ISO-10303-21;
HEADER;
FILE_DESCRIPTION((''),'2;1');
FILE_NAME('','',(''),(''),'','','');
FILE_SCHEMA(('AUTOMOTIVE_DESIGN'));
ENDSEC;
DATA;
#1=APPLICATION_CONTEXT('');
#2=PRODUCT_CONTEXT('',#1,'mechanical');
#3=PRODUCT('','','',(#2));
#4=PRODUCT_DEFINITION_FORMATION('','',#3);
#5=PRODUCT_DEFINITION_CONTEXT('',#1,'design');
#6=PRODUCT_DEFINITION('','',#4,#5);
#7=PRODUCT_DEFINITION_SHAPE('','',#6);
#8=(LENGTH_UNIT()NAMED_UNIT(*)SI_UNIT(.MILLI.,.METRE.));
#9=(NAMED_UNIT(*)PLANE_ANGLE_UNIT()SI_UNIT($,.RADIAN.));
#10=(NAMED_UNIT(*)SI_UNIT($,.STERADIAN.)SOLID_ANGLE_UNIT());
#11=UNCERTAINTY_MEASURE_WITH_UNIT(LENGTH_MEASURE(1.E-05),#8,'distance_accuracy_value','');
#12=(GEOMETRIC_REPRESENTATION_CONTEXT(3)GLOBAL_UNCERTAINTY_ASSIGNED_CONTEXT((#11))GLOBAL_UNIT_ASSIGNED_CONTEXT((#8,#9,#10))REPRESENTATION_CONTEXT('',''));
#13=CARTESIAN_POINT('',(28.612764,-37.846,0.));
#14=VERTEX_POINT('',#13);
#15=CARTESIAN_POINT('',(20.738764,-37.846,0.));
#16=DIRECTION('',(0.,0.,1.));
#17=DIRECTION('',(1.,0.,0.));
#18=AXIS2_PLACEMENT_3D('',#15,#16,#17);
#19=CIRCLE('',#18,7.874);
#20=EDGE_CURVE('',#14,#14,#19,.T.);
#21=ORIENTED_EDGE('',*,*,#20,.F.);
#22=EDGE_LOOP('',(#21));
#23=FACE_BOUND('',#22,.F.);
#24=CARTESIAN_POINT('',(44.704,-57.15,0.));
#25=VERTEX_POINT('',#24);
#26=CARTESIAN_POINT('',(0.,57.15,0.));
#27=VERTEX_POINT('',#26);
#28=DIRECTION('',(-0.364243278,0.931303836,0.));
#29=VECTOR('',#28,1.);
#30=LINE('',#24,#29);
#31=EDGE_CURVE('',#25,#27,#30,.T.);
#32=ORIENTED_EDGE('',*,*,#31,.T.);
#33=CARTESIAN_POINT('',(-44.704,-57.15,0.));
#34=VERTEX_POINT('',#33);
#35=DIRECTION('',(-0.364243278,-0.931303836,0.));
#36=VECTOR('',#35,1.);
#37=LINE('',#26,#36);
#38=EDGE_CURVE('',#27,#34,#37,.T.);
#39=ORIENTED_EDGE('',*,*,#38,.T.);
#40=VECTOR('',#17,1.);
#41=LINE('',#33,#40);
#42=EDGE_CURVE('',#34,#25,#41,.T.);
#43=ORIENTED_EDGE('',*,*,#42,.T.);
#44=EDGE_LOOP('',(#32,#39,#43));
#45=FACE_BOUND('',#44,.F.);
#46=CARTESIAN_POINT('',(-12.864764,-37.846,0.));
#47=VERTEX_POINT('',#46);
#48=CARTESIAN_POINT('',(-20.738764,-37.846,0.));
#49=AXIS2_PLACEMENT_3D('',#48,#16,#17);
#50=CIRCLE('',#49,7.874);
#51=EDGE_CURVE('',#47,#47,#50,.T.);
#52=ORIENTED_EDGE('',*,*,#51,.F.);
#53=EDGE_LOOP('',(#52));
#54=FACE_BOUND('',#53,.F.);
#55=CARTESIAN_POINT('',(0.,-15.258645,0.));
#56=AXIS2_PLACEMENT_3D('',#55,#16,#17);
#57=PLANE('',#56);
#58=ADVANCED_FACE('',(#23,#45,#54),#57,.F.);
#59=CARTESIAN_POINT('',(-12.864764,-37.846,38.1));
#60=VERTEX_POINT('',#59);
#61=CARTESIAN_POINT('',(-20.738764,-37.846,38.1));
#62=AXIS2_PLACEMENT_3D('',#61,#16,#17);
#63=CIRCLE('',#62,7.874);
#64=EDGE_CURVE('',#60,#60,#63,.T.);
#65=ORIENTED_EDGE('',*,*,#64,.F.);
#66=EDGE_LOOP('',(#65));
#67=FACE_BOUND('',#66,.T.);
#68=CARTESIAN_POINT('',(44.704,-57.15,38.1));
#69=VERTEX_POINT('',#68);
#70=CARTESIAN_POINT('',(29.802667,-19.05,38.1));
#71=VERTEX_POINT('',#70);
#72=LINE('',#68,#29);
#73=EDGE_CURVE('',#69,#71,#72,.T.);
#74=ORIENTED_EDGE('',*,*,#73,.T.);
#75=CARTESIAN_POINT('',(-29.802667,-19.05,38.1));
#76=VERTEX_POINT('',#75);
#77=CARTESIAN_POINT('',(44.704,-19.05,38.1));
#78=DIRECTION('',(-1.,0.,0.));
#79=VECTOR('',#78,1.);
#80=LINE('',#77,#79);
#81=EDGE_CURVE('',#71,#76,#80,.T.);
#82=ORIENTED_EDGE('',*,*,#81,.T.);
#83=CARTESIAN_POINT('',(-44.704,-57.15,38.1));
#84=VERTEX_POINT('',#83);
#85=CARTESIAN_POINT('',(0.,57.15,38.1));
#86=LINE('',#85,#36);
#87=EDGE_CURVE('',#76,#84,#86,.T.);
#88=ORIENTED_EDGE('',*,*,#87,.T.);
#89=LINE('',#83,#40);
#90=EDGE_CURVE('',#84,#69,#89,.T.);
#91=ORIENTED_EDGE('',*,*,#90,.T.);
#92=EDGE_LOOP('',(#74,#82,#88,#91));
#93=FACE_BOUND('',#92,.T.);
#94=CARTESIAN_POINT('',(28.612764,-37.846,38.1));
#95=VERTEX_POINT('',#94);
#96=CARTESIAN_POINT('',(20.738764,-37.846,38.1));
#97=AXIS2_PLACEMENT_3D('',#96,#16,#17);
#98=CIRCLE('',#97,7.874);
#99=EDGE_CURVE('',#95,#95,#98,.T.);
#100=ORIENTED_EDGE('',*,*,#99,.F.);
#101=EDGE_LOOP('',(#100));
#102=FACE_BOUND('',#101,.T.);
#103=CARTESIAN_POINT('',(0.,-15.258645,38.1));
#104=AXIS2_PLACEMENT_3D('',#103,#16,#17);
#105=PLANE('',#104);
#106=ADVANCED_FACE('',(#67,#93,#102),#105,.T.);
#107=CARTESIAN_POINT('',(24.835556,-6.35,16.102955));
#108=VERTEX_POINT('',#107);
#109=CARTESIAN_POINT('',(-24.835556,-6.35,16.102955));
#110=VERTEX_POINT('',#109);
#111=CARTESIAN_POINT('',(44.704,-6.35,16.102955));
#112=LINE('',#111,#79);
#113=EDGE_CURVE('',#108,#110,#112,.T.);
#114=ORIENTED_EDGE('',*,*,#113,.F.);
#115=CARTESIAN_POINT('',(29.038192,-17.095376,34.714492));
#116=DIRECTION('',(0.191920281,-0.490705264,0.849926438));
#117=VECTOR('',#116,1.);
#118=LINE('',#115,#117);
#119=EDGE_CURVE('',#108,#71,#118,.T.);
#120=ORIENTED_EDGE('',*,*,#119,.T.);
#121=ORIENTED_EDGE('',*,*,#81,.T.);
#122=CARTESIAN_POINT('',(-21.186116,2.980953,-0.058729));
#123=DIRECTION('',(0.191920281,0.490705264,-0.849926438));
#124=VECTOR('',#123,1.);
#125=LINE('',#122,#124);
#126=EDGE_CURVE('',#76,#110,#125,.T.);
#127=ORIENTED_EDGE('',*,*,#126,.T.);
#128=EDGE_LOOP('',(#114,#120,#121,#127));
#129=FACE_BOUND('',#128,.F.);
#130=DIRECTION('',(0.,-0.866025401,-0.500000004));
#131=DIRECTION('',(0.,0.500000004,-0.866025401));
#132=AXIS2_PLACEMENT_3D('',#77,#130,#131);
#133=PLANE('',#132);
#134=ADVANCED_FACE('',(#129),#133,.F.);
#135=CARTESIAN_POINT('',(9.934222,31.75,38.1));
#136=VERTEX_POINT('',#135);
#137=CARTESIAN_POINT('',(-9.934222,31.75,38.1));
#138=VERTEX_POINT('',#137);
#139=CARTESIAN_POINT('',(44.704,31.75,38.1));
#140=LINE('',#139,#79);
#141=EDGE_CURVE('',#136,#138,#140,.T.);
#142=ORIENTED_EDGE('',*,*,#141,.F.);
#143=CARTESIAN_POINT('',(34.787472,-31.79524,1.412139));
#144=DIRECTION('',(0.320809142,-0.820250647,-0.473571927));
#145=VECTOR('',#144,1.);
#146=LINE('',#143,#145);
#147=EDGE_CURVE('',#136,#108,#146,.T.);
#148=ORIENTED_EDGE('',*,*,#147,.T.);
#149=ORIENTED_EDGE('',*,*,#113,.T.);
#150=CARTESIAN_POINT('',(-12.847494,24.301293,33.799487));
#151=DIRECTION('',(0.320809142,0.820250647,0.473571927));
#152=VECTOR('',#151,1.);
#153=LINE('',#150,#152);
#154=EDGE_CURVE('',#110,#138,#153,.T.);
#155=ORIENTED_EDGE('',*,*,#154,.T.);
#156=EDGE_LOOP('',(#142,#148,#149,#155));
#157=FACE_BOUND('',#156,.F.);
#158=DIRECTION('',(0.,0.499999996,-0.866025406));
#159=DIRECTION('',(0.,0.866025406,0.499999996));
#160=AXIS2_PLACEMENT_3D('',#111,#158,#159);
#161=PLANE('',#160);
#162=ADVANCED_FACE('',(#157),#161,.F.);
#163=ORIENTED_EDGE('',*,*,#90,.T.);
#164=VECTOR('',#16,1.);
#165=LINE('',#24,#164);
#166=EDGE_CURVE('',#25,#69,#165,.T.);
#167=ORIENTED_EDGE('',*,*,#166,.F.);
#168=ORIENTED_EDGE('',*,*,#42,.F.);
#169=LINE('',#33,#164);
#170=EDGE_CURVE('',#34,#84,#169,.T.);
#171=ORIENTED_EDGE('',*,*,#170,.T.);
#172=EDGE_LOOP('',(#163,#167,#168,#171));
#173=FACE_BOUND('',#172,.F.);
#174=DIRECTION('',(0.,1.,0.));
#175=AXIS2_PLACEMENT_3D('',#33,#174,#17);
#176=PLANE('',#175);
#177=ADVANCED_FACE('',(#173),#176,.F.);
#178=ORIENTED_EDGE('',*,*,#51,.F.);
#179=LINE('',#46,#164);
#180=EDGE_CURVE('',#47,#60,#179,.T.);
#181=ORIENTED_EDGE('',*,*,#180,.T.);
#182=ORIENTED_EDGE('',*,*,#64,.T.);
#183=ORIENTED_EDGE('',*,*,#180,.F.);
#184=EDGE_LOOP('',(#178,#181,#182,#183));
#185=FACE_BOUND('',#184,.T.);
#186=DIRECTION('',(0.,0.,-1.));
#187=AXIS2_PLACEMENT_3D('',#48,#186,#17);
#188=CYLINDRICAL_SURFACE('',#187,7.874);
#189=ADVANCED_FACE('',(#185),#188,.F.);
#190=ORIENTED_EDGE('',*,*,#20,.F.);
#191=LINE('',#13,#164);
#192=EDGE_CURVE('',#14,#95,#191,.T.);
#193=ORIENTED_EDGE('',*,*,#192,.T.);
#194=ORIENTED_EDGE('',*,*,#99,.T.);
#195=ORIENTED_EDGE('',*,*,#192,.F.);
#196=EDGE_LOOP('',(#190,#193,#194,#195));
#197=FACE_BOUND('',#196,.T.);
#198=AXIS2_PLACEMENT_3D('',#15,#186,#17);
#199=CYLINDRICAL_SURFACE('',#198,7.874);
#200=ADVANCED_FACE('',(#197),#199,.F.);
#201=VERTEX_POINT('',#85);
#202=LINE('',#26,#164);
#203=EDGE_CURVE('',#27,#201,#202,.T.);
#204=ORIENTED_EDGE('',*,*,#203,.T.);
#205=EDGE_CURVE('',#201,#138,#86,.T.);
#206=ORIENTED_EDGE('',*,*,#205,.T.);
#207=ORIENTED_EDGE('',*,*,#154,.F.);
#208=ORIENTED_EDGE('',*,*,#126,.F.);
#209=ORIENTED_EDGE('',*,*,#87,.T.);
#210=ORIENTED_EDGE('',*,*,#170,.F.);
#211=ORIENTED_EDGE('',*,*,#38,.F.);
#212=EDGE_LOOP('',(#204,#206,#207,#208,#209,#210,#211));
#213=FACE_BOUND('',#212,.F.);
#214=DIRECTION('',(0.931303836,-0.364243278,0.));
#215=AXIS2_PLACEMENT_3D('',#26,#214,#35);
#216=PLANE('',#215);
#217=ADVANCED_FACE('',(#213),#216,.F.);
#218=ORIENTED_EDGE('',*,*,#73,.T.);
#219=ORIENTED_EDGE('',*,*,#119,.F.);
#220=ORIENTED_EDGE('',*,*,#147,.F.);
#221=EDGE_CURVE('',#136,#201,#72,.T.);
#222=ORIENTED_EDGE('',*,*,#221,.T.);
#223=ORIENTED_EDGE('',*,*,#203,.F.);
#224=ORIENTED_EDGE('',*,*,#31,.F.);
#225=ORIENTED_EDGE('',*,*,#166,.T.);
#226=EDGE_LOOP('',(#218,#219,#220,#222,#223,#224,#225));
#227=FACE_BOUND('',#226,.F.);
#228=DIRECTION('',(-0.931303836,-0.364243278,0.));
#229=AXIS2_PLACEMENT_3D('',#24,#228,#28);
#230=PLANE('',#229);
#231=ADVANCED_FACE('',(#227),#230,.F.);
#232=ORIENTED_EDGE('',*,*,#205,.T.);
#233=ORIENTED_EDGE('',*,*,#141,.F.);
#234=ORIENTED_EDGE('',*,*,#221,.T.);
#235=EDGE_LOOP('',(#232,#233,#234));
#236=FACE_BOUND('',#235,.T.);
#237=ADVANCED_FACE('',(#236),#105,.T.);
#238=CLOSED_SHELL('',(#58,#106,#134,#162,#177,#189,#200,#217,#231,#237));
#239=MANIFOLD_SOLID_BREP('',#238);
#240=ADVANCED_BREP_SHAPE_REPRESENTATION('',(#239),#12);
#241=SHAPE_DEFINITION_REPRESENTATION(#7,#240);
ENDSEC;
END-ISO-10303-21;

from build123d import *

# Parameters (mm, degrees)
F0_R     = 7.874
F1_DEPTH = 38.1
F4_DEPTH = 89.408


with BuildPart() as f1:
    # F0 (on Top) → F1 (new body)
    with BuildSketch(Plane.XY):
        Polygon((0, 57.15), (-44.704, -57.15), (44.704, -57.15), align=None)
        with Locations((-20.738764, -37.846)):
            Circle(F0_R, mode=Mode.SUBTRACT)
        with Locations((20.738764, -37.846)):
            Circle(F0_R, mode=Mode.SUBTRACT)
    extrude(amount=F1_DEPTH)

    # F3 (on offset) → F4 (cut)
    with BuildSketch(Plane.YZ.offset(44.704)):
        Polygon((31.75, 38.1), (-19.05, 38.1), (-6.35, 16.102955), align=None)
    extrude(amount=-F4_DEPTH, mode=Mode.SUBTRACT)


solid = f1.part
